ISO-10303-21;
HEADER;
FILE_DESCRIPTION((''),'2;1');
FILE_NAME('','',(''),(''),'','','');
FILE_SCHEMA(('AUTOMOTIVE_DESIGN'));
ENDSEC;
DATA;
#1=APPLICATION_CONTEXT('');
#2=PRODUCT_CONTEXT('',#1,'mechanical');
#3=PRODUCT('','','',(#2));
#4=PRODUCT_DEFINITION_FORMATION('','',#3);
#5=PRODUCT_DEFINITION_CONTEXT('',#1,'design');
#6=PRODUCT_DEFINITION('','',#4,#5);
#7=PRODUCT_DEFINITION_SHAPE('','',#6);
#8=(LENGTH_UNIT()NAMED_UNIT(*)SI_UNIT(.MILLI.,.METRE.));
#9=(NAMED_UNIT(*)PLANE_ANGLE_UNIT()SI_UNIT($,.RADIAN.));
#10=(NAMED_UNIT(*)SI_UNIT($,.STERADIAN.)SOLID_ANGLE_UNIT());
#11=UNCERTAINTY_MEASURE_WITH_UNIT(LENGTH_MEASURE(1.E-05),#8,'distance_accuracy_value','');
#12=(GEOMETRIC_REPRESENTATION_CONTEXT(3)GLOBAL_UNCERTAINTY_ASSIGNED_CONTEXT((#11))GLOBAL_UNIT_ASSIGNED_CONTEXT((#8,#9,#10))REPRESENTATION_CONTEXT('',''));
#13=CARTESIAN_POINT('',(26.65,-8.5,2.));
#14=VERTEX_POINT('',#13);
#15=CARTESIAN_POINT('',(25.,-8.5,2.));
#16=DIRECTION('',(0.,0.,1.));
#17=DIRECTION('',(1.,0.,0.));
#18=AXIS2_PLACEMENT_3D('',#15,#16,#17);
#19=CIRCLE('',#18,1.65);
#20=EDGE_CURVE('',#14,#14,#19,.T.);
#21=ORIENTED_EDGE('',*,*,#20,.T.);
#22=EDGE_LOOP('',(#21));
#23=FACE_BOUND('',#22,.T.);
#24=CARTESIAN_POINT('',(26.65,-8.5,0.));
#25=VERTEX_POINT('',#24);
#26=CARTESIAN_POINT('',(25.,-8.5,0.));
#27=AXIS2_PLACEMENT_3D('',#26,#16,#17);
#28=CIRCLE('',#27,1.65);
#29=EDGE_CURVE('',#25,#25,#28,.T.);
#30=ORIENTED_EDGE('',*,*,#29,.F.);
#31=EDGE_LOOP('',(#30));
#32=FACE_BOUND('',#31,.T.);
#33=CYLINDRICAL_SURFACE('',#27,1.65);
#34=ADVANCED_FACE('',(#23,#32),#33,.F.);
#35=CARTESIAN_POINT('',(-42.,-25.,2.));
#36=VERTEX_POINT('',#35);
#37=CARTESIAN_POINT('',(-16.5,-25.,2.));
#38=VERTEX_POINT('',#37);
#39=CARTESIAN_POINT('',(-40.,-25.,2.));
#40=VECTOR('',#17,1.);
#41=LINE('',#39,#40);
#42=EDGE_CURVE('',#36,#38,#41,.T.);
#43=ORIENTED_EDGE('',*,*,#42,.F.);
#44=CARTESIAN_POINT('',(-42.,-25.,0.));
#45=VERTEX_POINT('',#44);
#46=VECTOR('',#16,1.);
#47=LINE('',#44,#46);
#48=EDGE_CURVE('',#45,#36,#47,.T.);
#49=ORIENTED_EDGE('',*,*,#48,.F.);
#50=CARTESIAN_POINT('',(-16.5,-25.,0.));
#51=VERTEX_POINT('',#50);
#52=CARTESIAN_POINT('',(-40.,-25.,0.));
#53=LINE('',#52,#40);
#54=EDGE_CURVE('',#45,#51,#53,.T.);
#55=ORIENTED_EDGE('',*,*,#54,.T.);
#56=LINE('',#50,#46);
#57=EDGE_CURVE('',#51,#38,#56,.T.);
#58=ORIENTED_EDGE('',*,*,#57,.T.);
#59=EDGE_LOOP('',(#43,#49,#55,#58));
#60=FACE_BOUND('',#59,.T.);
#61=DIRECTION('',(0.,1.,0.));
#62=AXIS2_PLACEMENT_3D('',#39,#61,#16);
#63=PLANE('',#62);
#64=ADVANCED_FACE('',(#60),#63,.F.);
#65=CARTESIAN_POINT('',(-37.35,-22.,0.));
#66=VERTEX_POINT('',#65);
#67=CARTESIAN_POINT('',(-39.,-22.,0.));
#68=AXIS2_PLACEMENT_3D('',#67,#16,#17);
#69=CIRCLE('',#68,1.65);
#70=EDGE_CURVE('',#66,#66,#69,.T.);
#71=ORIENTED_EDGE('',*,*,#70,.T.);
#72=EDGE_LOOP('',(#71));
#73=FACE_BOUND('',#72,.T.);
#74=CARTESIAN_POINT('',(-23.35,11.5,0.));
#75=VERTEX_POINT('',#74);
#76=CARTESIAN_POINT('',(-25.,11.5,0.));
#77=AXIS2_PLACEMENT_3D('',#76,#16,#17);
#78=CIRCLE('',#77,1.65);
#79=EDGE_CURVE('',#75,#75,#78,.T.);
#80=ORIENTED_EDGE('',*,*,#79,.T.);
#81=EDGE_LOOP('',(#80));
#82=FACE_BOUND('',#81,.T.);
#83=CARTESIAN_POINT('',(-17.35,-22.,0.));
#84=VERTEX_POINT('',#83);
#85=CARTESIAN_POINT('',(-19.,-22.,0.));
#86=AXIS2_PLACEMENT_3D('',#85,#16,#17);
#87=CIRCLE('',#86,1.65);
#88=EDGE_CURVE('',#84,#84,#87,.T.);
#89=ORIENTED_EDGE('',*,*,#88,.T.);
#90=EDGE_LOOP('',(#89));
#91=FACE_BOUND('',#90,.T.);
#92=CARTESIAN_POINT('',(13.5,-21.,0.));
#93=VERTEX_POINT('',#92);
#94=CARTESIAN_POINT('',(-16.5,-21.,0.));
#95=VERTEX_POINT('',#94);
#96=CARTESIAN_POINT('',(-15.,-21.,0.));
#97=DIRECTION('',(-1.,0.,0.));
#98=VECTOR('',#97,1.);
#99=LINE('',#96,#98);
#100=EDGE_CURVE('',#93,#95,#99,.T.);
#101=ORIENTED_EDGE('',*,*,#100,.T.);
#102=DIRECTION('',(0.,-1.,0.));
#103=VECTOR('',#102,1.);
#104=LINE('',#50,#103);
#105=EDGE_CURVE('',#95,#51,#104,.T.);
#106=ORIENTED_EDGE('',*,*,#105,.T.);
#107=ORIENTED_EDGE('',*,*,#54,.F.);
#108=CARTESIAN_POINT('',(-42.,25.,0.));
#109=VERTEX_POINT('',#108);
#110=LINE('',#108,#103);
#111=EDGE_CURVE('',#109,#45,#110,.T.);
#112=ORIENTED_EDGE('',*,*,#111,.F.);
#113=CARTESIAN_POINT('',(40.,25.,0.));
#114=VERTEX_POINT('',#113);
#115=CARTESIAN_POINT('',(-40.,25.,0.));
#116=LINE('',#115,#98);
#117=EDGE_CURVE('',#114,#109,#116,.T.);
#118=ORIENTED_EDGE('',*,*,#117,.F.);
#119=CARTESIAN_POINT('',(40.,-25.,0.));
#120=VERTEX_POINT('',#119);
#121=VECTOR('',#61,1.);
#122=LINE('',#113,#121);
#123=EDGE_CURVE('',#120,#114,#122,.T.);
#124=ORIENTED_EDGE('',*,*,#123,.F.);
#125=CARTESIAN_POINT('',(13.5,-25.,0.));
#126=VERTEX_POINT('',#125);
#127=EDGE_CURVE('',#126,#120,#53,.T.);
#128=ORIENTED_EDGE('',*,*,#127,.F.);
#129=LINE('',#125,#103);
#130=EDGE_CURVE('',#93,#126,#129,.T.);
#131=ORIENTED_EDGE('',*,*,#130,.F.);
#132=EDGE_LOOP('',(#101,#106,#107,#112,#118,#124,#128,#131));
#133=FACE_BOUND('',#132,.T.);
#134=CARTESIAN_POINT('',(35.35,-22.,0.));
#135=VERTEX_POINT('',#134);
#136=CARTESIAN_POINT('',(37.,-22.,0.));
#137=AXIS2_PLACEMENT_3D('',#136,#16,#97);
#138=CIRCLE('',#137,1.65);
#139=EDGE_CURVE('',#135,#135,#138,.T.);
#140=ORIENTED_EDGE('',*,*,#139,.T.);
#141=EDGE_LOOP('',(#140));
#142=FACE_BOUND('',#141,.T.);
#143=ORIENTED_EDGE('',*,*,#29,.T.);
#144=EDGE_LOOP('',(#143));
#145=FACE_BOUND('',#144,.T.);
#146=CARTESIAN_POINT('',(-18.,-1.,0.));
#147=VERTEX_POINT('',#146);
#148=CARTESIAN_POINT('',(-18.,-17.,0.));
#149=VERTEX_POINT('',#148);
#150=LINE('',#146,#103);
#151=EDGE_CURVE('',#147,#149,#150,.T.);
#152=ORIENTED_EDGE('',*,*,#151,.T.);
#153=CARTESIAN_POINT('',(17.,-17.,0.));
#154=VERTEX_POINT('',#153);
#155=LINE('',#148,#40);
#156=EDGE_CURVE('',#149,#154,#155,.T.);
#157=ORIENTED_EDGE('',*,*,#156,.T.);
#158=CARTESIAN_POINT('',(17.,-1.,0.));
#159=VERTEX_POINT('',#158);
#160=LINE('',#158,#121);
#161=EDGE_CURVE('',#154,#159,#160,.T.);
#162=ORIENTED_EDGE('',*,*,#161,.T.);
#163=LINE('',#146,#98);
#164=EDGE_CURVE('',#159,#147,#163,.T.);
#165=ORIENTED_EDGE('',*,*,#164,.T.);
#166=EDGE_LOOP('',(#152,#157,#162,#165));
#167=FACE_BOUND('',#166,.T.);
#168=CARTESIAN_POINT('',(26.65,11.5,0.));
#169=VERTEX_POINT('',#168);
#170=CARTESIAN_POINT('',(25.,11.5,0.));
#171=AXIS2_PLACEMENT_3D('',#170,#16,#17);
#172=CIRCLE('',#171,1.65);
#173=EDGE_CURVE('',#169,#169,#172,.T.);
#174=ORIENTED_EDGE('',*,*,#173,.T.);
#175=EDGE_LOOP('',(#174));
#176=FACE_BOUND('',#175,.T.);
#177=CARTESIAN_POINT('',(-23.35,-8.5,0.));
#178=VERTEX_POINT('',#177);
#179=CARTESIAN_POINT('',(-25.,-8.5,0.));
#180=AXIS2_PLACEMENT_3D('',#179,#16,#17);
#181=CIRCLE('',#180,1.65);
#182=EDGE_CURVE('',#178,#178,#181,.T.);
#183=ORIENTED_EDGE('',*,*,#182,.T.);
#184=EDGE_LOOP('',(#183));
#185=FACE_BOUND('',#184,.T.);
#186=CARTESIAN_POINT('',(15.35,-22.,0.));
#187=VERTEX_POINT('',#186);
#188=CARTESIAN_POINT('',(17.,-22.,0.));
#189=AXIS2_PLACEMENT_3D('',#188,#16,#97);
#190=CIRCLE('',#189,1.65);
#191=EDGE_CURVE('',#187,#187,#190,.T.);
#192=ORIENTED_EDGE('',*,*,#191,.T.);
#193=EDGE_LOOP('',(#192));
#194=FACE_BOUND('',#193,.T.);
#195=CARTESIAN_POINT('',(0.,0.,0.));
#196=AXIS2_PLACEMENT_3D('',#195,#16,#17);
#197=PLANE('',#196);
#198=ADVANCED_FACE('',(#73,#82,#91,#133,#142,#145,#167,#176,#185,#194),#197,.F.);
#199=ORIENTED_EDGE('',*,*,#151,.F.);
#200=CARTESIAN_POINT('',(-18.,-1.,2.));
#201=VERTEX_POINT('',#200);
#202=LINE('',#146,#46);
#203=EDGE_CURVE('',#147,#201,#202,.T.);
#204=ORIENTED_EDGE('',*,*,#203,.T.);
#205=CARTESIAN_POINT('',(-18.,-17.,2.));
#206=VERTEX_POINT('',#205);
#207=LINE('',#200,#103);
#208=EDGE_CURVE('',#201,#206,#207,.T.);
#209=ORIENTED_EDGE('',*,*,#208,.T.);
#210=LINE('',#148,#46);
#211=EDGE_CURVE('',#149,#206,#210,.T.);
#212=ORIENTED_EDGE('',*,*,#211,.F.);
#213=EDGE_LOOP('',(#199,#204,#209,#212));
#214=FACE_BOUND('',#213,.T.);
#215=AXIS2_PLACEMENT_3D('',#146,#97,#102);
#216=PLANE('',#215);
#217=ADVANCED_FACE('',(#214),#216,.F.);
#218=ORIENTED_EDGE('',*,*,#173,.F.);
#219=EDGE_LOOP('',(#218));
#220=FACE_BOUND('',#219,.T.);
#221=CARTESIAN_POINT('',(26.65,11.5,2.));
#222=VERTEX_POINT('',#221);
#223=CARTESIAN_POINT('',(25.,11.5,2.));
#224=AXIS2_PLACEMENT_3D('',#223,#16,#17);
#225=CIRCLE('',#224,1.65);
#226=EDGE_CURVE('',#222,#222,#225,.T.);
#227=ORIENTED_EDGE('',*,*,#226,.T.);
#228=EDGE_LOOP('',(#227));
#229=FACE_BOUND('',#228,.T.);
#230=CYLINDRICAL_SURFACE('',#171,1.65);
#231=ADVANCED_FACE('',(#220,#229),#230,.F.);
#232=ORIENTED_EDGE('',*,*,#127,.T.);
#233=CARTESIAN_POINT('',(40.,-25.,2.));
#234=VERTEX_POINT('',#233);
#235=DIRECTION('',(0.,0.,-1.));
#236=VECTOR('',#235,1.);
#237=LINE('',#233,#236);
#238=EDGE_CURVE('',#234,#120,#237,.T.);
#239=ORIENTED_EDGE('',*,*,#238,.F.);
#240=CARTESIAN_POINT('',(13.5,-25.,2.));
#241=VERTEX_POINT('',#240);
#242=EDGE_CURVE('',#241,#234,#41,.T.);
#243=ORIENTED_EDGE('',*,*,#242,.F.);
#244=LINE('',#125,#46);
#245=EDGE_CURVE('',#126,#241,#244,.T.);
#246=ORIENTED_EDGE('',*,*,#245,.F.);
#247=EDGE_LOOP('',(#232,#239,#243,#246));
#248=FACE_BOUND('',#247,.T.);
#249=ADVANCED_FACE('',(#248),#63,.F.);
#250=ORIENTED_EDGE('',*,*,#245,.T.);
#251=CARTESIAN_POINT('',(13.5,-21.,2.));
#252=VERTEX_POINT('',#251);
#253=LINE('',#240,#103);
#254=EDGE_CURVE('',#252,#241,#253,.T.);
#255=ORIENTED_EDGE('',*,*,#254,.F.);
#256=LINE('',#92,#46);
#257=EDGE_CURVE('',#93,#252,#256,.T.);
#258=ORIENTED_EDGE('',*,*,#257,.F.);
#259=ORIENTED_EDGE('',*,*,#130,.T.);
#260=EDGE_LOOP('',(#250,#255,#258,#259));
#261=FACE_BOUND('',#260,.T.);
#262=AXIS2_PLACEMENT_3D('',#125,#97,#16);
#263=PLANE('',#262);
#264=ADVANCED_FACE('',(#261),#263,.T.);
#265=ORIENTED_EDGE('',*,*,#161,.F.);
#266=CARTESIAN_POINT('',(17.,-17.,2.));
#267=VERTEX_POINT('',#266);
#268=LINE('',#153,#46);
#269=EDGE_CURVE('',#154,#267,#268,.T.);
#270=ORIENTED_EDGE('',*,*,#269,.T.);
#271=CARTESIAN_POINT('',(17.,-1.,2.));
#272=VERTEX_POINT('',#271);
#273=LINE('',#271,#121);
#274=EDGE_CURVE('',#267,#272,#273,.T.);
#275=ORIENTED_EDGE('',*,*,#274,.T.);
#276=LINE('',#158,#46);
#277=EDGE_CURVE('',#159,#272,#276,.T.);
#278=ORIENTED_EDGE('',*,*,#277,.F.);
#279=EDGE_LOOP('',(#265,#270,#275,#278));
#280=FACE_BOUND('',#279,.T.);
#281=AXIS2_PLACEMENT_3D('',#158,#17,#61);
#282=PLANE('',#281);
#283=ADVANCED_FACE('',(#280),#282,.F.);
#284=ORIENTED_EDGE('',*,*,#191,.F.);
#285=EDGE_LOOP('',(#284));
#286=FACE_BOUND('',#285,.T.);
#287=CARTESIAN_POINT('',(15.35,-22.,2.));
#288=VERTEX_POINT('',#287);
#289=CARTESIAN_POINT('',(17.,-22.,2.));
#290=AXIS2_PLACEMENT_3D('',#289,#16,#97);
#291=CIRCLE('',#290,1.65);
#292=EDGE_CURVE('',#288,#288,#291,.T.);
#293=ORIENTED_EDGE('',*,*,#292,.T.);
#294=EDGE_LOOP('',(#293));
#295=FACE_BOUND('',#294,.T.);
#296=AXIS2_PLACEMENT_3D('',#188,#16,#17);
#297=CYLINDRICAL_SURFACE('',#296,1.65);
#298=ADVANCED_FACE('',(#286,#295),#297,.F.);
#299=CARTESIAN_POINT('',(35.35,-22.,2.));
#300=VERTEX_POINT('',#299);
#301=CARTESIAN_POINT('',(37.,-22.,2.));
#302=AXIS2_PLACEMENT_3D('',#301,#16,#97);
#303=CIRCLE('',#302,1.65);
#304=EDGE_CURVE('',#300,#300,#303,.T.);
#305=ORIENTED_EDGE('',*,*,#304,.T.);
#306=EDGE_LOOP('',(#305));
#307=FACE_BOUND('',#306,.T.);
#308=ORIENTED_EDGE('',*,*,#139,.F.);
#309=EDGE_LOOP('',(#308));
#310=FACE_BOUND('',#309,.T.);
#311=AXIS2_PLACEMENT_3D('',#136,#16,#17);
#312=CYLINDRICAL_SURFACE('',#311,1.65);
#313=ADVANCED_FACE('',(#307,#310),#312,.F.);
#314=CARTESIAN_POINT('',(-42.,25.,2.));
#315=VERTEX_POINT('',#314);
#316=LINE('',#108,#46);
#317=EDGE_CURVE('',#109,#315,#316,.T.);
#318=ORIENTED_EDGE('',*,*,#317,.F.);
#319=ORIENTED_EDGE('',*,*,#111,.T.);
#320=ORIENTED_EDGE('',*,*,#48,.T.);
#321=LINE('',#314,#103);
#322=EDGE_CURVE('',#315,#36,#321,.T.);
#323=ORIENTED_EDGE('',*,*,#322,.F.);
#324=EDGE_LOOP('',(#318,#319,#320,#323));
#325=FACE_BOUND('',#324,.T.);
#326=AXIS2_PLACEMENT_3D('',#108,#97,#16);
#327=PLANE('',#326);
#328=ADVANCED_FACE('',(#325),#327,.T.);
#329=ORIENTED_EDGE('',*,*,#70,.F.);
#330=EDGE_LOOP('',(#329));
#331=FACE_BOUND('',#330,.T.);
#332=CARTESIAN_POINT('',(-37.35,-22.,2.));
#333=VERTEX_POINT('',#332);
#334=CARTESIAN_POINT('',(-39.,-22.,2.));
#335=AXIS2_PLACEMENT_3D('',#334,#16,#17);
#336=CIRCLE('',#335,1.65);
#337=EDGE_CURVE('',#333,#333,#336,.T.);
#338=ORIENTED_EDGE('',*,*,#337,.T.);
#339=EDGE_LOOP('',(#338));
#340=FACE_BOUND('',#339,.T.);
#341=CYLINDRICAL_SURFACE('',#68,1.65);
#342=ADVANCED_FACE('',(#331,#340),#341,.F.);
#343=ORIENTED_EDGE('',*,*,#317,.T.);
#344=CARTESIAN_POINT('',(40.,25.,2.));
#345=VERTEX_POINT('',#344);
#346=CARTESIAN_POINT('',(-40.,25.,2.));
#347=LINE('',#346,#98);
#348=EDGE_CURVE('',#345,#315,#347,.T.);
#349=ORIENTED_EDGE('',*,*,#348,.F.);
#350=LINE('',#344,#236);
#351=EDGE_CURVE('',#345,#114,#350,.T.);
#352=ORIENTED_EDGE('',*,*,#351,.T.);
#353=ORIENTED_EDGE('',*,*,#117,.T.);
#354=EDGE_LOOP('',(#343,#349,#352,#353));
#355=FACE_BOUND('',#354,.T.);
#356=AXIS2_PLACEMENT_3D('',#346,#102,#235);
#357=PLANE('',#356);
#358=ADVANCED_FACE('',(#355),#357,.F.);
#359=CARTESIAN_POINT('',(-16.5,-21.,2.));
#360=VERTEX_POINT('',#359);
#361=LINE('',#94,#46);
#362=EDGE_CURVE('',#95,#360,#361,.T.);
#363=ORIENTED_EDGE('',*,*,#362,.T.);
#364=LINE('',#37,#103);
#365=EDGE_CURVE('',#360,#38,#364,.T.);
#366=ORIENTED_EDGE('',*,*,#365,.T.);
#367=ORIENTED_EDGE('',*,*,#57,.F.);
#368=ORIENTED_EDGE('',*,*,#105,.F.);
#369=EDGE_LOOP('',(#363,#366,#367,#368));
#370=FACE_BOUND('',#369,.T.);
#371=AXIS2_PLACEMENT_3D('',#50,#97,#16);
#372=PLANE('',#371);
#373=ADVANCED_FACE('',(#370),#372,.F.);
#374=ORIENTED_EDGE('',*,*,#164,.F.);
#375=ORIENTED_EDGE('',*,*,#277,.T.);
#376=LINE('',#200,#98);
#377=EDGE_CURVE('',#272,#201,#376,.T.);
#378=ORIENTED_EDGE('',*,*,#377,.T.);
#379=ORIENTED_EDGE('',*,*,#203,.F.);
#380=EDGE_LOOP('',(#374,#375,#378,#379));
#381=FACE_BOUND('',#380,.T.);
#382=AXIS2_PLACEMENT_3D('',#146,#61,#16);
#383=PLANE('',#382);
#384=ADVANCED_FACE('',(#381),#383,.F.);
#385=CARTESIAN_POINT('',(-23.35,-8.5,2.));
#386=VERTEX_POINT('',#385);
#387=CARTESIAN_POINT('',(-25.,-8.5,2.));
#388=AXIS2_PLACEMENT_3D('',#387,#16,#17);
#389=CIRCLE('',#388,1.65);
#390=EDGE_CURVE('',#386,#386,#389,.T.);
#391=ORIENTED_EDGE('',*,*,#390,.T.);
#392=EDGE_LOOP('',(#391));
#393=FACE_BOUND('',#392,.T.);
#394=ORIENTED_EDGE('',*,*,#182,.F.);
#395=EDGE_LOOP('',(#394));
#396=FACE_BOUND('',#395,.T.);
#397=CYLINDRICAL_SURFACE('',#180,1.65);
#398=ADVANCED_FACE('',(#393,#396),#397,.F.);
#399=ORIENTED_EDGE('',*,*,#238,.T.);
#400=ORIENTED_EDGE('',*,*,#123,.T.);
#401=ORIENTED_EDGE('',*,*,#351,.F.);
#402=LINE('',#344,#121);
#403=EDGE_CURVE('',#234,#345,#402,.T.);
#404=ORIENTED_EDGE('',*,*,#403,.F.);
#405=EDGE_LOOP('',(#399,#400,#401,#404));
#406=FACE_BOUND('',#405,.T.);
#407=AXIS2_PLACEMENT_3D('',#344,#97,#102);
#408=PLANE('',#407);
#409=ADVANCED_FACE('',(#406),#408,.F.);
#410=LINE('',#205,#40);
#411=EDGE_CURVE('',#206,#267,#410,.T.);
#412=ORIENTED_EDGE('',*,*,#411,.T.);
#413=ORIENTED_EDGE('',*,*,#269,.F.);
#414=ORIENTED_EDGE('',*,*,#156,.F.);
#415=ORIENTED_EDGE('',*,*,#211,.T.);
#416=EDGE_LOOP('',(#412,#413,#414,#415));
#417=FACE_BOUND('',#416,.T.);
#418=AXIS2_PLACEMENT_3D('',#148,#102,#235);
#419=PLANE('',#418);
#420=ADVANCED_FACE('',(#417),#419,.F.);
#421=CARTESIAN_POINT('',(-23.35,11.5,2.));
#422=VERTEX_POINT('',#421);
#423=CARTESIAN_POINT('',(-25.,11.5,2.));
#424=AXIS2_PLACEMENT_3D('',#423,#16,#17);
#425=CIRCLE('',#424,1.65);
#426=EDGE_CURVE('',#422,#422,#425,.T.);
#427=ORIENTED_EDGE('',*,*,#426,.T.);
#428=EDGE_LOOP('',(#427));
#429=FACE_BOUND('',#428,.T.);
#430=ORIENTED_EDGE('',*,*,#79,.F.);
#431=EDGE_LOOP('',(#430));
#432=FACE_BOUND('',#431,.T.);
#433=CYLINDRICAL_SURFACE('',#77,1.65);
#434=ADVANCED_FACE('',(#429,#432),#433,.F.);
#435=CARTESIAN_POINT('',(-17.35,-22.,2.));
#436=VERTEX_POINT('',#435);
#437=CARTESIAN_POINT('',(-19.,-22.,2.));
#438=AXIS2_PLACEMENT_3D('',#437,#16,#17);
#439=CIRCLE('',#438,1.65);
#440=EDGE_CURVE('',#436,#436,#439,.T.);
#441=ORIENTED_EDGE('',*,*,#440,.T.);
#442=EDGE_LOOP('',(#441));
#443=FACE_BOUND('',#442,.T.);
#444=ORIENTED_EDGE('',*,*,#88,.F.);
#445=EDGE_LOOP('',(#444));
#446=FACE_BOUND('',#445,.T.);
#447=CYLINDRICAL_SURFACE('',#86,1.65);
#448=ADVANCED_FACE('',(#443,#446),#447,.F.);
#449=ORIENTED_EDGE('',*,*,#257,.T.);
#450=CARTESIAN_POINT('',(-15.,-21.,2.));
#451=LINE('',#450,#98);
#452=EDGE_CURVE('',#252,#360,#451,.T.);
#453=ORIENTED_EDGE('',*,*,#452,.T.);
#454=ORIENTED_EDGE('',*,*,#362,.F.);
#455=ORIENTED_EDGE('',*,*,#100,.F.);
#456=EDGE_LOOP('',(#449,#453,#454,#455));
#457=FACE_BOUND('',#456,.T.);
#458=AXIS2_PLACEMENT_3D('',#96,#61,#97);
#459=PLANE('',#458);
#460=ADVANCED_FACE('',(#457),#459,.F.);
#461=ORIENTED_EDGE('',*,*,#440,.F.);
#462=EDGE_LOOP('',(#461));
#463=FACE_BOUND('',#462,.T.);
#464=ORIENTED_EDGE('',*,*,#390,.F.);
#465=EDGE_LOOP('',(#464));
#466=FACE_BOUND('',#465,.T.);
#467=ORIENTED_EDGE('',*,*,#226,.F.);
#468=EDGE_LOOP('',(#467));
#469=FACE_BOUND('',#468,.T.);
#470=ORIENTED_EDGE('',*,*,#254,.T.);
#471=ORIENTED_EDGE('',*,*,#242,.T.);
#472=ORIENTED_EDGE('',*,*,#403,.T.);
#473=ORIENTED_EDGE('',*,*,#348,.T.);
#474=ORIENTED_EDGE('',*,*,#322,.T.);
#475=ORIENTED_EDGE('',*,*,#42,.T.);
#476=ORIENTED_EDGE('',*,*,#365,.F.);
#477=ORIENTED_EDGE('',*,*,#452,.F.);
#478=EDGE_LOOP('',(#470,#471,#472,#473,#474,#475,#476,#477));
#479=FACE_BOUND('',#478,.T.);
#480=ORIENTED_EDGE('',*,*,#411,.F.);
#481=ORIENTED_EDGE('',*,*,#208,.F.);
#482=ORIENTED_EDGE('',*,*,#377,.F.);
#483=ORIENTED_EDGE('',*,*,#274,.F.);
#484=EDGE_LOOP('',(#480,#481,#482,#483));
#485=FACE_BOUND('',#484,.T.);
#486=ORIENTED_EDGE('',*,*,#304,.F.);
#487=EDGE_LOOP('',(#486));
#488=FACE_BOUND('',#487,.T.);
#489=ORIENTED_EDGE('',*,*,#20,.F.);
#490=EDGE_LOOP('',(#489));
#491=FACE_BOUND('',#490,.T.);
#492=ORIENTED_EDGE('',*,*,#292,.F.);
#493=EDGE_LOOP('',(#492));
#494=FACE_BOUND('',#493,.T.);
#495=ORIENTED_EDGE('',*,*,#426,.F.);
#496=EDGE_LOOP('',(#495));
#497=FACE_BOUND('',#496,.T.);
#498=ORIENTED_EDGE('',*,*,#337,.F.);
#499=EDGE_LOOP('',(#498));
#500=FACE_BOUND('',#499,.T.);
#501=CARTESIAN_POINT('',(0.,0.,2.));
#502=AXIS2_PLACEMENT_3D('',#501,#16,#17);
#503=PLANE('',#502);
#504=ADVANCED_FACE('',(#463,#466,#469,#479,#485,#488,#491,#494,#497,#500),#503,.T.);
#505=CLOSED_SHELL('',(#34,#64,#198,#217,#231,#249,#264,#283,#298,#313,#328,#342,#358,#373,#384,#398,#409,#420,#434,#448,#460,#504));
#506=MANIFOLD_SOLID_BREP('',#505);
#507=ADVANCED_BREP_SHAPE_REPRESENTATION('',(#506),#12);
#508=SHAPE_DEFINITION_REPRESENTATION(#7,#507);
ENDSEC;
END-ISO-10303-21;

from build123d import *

# Parameters (mm, degrees)
SKETCH_1_W          = 80
SKETCH_1_H          = 50
EXTRUDE_1_DEPTH     = 2
SKETCH_5_W          = 2
SKETCH_5_H          = 50
EXTRUDE_2_DEPTH     = 2
SKETCH_2_W          = 30
SKETCH_2_H          = 4
SKETCH_2_W_2        = 35
SKETCH_2_H_2        = 16
CUT_EXTRUDE_1_DEPTH = 49.918299235
SKETCH_3_R          = 1.65
CUT_EXTRUDE_2_DEPTH = 49.918299235
SKETCH_6_W          = 1.5
SKETCH_6_H          = 4
CUT_EXTRUDE_4_DEPTH = 49.918299235
SKETCH_7_W          = 1.5
SKETCH_7_H          = 4
EXTRUDE_3_DEPTH     = 2
SKETCH_8_R          = 1.65
CUT_EXTRUDE_5_DEPTH = 49.918299235


with BuildPart() as part:
    # 草图1 → 凸台-拉伸1 (new body)
    with BuildSketch(Plane.XY):
        Rectangle(SKETCH_1_W, SKETCH_1_H)
    extrude(amount=EXTRUDE_1_DEPTH)

    # 草图5 → 凸台-拉伸2 (add)
    with BuildSketch(Plane.XY.offset(2)):
        with Locations((-41, 0)):
            Rectangle(SKETCH_5_W, SKETCH_5_H)
    extrude(amount=-EXTRUDE_2_DEPTH)

    # 草图2 → 切除-拉伸1 (cut, through all)
    with BuildSketch(Plane.XY.offset(2)):
        with Locations((0, -23)):
            Rectangle(SKETCH_2_W, SKETCH_2_H)
        with Locations((-0.5, -9)):
            Rectangle(SKETCH_2_W_2, SKETCH_2_H_2)
    extrude(amount=-CUT_EXTRUDE_1_DEPTH, mode=Mode.SUBTRACT)

    # 草图3 → 切除-拉伸2 (cut, through all)
    with BuildSketch(Plane.XY.offset(2)):
        with Locations((-39, -22)):
            Circle(SKETCH_3_R)
        with Locations((-19, -22)):
            Circle(SKETCH_3_R)
        with Locations(Location((17, -22, 0), (0, 0, 180))):
            Circle(SKETCH_3_R)
        with Locations(Location((37, -22, 0), (0, 0, 180))):
            Circle(SKETCH_3_R)
    extrude(amount=-CUT_EXTRUDE_2_DEPTH, mode=Mode.SUBTRACT)

    # 草图6 → 切除-拉伸4 (cut, through all)
    with BuildSketch(Plane.XY.offset(2)):
        with Locations((-15.75, -23)):
            Rectangle(SKETCH_6_W, SKETCH_6_H)
    extrude(amount=-CUT_EXTRUDE_4_DEPTH, mode=Mode.SUBTRACT)

    # 草图7 → 凸台-拉伸3 (add)
    with BuildSketch(Plane.XY.offset(2)):
        with Locations((14.25, -23)):
            Rectangle(SKETCH_7_W, SKETCH_7_H)
    extrude(amount=-EXTRUDE_3_DEPTH)

    # 草图8 → 切除-拉伸5 (cut, through all)
    with BuildSketch(Plane.XY.offset(2)):
        with Locations((-25, 11.5)):
            Circle(SKETCH_8_R)
        with Locations((-25, -8.5)):
            Circle(SKETCH_8_R)
        with Locations((25, -8.5)):
            Circle(SKETCH_8_R)
        with Locations((25, 11.5)):
            Circle(SKETCH_8_R)
    extrude(amount=-CUT_EXTRUDE_5_DEPTH, mode=Mode.SUBTRACT)


solid = part.part
